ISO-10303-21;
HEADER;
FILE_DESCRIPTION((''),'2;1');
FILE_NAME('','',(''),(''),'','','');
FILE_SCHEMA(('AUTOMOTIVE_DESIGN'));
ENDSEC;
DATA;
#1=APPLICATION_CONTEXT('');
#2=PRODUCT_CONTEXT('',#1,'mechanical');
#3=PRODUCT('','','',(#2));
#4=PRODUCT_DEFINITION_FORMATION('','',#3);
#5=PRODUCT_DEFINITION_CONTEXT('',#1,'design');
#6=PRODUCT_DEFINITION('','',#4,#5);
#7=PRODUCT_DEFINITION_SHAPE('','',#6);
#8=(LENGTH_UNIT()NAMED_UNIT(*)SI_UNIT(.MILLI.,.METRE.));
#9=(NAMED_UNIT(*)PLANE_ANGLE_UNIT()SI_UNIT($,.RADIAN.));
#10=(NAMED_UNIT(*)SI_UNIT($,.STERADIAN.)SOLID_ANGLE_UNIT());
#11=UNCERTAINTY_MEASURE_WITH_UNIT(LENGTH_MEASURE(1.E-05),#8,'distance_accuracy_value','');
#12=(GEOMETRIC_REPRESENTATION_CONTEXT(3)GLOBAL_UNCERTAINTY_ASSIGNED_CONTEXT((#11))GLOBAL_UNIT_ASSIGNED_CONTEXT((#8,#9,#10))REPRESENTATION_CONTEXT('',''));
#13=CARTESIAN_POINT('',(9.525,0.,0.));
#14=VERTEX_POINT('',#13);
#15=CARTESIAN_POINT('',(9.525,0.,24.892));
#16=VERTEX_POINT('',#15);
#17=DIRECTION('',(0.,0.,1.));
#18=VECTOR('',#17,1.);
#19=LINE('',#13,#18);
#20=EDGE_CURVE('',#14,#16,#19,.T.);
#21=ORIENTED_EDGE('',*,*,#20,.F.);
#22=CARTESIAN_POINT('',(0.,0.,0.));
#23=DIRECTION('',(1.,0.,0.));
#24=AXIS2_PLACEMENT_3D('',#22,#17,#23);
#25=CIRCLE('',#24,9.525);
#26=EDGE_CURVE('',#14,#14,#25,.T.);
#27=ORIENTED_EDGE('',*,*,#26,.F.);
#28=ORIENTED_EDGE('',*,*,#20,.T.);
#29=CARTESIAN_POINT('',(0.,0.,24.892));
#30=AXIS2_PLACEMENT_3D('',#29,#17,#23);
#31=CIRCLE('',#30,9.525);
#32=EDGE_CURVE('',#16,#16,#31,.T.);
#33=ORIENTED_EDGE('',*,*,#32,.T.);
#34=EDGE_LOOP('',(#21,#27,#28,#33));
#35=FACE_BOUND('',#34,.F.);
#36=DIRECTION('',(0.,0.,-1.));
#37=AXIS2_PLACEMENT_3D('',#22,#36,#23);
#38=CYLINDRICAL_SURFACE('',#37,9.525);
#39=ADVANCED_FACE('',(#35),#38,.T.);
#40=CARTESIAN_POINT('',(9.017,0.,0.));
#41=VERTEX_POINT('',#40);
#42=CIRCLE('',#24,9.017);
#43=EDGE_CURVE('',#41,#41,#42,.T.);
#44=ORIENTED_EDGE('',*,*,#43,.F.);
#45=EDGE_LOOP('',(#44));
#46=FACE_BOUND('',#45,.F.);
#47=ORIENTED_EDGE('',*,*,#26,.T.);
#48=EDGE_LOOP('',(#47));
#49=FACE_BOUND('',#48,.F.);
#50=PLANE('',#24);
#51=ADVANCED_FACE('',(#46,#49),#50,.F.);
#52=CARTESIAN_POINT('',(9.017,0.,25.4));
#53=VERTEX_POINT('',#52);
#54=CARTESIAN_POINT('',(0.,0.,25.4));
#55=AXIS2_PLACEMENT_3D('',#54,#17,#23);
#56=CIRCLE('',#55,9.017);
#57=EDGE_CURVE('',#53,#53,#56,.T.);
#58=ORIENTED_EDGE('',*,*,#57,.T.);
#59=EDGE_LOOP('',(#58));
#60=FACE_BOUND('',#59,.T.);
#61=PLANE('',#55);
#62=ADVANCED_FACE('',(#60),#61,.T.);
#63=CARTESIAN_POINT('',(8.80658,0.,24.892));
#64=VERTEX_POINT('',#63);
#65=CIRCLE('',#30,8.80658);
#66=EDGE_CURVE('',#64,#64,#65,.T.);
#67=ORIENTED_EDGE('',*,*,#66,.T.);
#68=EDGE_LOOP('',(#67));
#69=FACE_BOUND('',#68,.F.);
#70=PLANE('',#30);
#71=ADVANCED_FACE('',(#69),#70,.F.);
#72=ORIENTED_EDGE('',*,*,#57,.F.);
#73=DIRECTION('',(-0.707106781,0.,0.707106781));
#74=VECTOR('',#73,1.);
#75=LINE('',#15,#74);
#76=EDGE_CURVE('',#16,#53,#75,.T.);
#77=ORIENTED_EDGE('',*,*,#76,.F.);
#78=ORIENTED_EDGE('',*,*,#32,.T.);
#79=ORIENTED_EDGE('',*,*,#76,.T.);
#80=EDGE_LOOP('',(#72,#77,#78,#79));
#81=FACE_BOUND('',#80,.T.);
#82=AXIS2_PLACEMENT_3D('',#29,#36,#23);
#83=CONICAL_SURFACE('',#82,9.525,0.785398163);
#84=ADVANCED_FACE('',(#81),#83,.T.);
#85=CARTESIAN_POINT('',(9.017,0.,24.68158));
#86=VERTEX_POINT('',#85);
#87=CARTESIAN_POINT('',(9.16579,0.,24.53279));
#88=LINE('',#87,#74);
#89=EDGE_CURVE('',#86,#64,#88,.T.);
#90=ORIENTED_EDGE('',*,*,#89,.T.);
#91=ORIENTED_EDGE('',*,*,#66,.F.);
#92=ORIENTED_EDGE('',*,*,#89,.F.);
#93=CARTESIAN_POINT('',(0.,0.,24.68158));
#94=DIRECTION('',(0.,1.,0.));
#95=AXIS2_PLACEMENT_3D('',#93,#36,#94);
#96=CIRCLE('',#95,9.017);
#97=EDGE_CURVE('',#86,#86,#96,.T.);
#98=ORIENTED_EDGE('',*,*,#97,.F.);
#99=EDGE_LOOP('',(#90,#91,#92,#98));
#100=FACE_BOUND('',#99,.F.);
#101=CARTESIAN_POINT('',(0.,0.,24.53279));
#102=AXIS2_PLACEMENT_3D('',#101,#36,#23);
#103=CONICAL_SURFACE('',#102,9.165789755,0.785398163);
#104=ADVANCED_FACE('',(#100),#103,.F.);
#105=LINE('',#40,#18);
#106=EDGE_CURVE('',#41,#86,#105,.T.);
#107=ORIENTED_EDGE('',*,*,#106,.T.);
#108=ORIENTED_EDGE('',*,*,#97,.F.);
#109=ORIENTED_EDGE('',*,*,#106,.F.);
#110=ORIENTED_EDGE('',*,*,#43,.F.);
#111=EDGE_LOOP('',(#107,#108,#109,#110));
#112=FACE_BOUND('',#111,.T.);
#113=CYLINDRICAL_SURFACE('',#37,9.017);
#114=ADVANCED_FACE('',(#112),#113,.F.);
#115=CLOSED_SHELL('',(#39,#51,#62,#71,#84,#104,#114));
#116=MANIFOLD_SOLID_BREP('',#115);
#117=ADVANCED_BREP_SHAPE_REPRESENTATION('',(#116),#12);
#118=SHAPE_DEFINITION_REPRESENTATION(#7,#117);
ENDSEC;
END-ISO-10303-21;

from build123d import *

# Parameters (mm, degrees)
F0_R     = 9.525
F1_DEPTH = 25.4
F2_SIZE  = 0.508
F3_T     = -0.508


with BuildPart() as f1:
    # F0 (on Top) → F1 (new body)
    with BuildSketch(Plane.XY):
        Circle(F0_R)
    extrude(amount=F1_DEPTH)

    # F2
    f2_edges = [f1.edges().sort_by_distance(p)[0] for p in [
        (-9.525, 0, 25.4),
    ]]
    chamfer(f2_edges, length=F2_SIZE)

    # F3
    f3_openings = [f1.faces().sort_by_distance(p)[0] for p in [
        (0, 0, 0),
    ]]
    offset(amount=F3_T, openings=f3_openings)


solid = f1.part
